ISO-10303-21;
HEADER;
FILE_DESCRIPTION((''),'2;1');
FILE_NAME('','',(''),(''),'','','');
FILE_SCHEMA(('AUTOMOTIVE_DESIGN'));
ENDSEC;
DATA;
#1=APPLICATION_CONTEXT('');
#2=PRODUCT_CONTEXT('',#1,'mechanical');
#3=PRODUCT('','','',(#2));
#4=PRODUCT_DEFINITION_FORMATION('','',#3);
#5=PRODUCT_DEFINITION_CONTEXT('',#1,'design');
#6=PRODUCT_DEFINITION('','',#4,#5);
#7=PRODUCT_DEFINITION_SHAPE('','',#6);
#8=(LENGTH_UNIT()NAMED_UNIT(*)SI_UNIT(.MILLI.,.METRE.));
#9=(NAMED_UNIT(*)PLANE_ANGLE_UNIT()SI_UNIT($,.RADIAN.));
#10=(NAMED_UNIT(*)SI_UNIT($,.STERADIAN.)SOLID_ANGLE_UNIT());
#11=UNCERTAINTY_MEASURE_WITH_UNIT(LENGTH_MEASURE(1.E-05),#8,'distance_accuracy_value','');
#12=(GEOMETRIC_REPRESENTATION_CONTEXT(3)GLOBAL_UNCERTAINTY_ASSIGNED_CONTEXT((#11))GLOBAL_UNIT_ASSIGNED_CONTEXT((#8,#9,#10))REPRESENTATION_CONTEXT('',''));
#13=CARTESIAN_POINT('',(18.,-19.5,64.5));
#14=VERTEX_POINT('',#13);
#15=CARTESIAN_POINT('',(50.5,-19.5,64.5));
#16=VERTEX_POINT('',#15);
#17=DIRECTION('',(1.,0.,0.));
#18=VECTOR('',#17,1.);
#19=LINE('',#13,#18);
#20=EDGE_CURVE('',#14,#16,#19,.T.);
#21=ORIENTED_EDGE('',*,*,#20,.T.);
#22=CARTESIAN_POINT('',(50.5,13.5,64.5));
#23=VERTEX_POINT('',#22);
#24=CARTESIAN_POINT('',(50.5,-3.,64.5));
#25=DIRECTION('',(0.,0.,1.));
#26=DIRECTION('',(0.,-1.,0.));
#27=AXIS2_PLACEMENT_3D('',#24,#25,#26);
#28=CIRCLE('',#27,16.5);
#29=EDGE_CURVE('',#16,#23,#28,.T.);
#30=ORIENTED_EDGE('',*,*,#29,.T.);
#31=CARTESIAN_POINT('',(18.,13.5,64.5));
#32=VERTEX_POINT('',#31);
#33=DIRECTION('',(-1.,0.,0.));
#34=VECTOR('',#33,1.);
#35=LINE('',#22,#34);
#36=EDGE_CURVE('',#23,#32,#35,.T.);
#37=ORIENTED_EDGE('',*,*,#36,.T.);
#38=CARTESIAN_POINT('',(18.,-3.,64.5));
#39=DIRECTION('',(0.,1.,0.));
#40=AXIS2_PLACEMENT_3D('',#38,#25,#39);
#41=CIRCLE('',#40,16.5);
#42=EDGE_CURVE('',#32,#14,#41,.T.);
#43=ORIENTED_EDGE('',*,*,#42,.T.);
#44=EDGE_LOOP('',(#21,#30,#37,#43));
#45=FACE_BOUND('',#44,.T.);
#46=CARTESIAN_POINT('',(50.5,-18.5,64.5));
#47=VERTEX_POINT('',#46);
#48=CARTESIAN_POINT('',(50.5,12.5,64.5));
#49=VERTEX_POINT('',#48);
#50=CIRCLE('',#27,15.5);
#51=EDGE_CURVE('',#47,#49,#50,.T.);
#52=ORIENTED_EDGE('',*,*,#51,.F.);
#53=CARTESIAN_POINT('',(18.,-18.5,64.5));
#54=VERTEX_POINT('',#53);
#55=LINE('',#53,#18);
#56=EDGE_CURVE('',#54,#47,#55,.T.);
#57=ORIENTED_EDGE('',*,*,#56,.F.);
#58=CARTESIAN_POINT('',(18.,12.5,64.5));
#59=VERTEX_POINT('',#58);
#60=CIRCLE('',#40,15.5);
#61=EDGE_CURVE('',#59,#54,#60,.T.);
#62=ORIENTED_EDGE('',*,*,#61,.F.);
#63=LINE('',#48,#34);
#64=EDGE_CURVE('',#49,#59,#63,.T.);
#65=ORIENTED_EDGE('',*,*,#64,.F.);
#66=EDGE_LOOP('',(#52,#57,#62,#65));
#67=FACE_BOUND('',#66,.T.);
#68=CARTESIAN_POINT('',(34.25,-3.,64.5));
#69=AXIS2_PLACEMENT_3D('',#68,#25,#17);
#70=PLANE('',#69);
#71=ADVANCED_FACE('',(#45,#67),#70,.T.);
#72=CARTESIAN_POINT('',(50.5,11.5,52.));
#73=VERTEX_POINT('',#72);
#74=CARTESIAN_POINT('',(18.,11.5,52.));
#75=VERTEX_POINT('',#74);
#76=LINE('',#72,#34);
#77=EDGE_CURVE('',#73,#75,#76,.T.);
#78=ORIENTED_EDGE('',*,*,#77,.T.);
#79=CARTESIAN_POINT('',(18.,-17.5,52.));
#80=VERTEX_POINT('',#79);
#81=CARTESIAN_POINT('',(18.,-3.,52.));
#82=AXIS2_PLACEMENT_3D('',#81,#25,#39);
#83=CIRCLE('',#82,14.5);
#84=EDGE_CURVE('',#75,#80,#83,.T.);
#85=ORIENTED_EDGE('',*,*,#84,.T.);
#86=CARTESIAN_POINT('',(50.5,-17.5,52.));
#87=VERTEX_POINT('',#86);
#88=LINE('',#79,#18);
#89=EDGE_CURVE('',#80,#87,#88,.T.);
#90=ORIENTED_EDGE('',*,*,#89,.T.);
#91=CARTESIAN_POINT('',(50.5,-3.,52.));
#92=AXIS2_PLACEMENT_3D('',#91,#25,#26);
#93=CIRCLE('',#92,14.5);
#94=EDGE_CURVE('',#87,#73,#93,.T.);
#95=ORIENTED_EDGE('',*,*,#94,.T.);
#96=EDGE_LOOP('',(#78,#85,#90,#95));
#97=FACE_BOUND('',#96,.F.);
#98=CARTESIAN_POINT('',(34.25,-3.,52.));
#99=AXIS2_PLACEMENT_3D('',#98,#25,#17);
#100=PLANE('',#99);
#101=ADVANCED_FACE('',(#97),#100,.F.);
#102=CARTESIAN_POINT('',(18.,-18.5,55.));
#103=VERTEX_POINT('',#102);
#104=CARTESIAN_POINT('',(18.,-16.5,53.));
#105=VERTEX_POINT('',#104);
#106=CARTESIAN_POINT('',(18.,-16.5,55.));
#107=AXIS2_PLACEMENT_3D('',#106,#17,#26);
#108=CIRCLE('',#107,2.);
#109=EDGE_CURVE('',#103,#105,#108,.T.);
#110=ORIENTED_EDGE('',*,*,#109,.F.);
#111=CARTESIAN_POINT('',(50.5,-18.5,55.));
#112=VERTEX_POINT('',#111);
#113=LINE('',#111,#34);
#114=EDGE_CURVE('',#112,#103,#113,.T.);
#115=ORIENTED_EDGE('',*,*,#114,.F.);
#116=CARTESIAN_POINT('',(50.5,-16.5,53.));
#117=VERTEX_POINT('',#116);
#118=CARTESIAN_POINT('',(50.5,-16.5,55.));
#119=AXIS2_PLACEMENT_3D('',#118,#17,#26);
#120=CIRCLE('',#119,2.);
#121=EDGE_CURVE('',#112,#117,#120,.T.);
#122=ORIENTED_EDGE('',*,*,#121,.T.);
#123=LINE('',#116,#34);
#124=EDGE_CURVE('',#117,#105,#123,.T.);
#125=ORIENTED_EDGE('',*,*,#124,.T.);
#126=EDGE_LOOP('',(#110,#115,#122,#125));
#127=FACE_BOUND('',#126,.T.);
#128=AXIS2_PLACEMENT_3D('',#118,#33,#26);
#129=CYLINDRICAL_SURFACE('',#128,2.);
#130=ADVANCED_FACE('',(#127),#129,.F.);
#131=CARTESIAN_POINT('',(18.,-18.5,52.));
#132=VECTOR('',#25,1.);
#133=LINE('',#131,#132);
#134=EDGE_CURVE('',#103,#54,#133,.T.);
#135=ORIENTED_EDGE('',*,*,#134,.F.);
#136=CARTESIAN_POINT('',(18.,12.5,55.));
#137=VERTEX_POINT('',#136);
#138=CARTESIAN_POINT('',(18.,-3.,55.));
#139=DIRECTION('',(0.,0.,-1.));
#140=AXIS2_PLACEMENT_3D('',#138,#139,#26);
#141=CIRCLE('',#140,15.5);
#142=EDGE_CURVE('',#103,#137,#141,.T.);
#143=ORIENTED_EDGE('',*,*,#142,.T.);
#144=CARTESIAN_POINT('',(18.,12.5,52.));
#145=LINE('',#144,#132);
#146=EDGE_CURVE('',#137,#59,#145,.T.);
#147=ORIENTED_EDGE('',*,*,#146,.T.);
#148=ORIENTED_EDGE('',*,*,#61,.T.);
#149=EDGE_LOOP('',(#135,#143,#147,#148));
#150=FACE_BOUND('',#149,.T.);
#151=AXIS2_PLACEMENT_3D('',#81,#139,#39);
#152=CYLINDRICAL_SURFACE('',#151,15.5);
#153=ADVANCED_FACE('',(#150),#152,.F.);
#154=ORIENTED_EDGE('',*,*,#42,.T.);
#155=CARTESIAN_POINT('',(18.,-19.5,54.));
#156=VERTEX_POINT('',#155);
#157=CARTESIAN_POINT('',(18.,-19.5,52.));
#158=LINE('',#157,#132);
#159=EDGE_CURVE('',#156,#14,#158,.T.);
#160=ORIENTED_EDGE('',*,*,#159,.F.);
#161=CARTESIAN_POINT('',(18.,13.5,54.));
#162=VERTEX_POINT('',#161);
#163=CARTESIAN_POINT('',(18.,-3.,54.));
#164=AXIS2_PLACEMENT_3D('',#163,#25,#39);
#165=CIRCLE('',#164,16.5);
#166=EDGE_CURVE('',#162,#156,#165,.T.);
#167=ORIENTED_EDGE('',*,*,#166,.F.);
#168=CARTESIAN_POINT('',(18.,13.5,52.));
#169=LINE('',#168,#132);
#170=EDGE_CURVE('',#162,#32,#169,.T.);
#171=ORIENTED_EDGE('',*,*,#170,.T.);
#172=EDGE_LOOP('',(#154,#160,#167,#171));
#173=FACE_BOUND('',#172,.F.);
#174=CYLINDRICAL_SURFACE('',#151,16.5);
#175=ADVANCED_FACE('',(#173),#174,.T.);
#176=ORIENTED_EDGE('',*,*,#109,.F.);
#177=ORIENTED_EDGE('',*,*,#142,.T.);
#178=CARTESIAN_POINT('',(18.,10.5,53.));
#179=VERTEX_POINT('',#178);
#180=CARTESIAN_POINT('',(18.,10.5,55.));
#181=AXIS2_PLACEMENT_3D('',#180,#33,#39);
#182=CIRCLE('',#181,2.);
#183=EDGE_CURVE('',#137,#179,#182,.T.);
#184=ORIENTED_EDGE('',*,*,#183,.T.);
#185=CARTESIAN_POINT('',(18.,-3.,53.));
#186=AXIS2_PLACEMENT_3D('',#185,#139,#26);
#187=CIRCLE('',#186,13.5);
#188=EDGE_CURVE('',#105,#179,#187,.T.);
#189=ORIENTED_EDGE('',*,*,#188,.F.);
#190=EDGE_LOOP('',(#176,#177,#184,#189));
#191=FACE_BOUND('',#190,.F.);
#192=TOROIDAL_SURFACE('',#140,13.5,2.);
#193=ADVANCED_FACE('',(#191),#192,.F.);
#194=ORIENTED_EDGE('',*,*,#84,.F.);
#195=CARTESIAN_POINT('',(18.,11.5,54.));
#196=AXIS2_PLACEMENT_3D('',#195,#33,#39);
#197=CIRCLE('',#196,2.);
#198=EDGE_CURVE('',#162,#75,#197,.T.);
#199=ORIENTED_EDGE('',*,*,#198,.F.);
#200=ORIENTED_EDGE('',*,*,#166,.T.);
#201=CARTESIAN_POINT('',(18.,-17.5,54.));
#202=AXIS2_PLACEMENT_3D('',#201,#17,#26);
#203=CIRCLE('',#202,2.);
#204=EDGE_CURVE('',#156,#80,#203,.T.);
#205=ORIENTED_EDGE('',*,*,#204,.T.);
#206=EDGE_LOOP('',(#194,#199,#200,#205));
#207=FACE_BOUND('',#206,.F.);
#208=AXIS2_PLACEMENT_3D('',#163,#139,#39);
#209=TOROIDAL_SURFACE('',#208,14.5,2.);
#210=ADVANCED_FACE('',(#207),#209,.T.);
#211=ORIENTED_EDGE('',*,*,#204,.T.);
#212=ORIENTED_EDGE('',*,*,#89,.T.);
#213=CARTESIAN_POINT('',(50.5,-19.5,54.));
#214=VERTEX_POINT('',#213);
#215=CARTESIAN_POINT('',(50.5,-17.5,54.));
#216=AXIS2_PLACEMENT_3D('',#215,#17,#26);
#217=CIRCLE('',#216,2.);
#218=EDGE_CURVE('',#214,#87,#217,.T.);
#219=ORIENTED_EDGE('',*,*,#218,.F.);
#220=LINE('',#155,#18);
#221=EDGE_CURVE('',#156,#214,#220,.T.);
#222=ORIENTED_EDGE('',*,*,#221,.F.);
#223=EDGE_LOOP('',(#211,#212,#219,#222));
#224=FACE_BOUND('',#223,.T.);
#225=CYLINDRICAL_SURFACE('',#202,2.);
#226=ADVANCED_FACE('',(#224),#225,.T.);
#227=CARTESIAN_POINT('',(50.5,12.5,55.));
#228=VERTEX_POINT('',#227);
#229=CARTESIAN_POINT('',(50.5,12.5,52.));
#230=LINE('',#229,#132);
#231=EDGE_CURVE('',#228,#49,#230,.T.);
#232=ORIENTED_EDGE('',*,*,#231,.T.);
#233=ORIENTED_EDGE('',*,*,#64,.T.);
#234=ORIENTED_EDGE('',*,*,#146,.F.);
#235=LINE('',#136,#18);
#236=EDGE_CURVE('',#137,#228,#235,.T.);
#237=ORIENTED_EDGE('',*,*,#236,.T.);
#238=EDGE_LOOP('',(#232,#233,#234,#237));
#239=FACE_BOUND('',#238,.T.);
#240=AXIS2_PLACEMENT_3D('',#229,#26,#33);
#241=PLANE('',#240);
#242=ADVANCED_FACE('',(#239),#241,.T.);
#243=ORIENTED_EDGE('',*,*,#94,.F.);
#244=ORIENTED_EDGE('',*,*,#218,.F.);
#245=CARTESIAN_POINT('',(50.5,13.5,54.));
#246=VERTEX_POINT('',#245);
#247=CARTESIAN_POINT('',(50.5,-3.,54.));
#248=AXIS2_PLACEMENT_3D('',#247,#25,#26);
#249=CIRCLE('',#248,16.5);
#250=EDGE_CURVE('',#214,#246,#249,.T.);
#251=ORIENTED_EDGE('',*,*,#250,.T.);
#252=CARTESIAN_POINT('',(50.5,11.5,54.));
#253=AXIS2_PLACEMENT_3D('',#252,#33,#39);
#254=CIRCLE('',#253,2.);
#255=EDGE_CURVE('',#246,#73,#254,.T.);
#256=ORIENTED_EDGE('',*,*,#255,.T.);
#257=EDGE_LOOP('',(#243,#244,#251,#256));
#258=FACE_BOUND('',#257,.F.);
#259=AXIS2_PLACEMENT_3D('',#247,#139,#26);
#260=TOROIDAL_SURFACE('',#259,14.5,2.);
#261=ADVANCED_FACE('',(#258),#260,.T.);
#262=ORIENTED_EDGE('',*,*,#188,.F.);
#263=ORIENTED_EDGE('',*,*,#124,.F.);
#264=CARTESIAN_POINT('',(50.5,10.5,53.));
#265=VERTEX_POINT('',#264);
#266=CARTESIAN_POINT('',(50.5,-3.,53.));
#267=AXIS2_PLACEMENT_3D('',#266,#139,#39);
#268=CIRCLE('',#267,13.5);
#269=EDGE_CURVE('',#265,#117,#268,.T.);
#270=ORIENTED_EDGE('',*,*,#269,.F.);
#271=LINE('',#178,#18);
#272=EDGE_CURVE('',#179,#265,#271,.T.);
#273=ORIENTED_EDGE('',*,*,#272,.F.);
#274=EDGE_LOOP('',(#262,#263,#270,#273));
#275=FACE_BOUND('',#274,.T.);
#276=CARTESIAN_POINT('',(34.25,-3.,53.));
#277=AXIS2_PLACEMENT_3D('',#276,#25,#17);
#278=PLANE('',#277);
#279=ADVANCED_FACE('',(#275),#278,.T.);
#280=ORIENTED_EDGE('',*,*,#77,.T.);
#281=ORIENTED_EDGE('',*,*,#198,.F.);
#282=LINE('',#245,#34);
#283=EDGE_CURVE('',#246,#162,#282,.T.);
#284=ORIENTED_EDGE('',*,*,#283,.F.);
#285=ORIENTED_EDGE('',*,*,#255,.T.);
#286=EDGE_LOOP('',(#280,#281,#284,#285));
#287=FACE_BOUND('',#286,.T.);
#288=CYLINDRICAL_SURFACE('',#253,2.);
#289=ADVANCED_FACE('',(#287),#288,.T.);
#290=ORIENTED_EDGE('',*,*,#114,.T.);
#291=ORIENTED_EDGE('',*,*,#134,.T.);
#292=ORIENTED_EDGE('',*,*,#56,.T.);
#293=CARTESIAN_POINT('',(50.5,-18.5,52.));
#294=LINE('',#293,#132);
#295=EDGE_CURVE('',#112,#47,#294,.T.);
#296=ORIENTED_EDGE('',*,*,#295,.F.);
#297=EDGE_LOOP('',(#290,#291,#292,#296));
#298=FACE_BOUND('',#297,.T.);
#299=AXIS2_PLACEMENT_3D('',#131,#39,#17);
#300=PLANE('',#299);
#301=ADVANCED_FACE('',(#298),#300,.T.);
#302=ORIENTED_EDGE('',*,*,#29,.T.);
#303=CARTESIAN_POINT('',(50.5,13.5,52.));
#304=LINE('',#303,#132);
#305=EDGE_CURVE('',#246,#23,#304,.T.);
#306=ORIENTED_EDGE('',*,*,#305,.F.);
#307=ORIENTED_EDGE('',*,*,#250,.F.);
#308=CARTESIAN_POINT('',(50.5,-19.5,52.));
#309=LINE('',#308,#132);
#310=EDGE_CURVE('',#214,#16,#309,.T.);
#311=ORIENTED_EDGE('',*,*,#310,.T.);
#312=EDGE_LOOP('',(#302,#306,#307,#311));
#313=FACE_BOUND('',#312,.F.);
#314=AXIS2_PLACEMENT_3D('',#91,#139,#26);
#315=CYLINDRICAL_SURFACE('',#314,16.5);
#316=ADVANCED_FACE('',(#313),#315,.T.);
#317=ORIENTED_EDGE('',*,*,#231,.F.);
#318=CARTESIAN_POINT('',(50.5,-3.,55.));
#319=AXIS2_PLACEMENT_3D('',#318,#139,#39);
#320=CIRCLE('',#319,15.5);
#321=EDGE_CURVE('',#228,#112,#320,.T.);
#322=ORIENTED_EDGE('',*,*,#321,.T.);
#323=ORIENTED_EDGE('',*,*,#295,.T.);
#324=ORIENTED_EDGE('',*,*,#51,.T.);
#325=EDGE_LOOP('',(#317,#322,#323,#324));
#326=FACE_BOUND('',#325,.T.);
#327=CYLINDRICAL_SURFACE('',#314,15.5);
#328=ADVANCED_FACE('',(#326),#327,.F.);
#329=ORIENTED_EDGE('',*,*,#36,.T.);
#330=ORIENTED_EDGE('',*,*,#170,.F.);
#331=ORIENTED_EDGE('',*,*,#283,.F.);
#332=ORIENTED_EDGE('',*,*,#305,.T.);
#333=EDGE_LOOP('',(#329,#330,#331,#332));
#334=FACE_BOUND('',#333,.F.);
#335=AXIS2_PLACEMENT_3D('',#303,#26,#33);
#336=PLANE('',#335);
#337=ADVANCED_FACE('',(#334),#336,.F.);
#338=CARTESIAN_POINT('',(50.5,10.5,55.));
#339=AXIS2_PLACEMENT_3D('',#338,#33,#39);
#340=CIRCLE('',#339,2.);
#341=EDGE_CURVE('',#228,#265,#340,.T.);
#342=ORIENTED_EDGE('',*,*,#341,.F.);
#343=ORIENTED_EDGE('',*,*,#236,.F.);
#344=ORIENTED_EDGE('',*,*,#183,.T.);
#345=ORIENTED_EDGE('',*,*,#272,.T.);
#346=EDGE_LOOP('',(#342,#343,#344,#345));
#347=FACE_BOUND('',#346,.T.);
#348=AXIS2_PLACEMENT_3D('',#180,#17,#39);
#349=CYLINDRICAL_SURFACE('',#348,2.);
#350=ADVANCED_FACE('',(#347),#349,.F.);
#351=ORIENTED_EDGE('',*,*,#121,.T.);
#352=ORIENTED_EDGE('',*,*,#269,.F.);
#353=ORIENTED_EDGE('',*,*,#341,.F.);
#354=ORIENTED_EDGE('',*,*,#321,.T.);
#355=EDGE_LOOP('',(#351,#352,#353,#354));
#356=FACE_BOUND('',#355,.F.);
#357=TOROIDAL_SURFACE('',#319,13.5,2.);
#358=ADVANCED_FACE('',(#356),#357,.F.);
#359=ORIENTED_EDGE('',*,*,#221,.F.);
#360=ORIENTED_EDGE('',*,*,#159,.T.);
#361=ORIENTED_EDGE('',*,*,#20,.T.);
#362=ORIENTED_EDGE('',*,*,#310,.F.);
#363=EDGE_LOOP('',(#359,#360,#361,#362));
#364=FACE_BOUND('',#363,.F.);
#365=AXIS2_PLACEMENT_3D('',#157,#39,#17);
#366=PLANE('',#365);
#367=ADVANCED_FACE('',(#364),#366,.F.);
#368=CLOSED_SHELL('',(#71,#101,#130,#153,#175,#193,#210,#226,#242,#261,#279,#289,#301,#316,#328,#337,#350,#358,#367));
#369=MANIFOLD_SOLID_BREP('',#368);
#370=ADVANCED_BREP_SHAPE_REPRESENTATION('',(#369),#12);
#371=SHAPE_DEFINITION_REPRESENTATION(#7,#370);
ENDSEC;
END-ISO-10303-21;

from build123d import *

# Parameters (mm, degrees)
PAD004_DEPTH   = 12.5
THICKNESS002_T = -1
FILLET006_R    = 2
FILLET007_R    = 2


with BuildPart() as part:
    # Sketch009 → Pad004 (new body)
    with BuildSketch(Plane.XY):
        with BuildLine():
            ThreePointArc((-83, 72.5), (-99.5, 56), (-83, 39.5))
            Line((-83, 39.5), (-50.5, 39.5))
            ThreePointArc((-50.5, 39.5), (-34, 56), (-50.5, 72.5))
            Line((-50.5, 72.5), (-83, 72.5))
        make_face()
    extrude(amount=PAD004_DEPTH)

    # Thickness002
    thickness002_openings = [part.faces().sort_by_distance(p)[0] for p in [
        (-66.75, 56, 12.5),
    ]]
    offset(amount=THICKNESS002_T, openings=thickness002_openings)

    # Fillet006
    fillet006_edges = [part.edges().sort_by_distance(p)[0] for p in [
        (-98.5, 56, 1),
        (-66.75, 40.5, 1),
        (-35, 56, 1),
        (-66.75, 71.5, 1),
    ]]
    fillet(fillet006_edges, radius=FILLET006_R)

    # Fillet007
    fillet007_edges = [part.edges().sort_by_distance(p)[0] for p in [
        (-99.5, 56, 0),
        (-66.75, 39.5, 0),
        (-34, 56, 0),
        (-66.75, 72.5, 0),
    ]]
    fillet(fillet007_edges, radius=FILLET007_R)


with BuildPart() as part_1:
    # Body004 placement: moved
    add(part.part.moved(Location((101, -59, 52))))


solid = part_1.part
